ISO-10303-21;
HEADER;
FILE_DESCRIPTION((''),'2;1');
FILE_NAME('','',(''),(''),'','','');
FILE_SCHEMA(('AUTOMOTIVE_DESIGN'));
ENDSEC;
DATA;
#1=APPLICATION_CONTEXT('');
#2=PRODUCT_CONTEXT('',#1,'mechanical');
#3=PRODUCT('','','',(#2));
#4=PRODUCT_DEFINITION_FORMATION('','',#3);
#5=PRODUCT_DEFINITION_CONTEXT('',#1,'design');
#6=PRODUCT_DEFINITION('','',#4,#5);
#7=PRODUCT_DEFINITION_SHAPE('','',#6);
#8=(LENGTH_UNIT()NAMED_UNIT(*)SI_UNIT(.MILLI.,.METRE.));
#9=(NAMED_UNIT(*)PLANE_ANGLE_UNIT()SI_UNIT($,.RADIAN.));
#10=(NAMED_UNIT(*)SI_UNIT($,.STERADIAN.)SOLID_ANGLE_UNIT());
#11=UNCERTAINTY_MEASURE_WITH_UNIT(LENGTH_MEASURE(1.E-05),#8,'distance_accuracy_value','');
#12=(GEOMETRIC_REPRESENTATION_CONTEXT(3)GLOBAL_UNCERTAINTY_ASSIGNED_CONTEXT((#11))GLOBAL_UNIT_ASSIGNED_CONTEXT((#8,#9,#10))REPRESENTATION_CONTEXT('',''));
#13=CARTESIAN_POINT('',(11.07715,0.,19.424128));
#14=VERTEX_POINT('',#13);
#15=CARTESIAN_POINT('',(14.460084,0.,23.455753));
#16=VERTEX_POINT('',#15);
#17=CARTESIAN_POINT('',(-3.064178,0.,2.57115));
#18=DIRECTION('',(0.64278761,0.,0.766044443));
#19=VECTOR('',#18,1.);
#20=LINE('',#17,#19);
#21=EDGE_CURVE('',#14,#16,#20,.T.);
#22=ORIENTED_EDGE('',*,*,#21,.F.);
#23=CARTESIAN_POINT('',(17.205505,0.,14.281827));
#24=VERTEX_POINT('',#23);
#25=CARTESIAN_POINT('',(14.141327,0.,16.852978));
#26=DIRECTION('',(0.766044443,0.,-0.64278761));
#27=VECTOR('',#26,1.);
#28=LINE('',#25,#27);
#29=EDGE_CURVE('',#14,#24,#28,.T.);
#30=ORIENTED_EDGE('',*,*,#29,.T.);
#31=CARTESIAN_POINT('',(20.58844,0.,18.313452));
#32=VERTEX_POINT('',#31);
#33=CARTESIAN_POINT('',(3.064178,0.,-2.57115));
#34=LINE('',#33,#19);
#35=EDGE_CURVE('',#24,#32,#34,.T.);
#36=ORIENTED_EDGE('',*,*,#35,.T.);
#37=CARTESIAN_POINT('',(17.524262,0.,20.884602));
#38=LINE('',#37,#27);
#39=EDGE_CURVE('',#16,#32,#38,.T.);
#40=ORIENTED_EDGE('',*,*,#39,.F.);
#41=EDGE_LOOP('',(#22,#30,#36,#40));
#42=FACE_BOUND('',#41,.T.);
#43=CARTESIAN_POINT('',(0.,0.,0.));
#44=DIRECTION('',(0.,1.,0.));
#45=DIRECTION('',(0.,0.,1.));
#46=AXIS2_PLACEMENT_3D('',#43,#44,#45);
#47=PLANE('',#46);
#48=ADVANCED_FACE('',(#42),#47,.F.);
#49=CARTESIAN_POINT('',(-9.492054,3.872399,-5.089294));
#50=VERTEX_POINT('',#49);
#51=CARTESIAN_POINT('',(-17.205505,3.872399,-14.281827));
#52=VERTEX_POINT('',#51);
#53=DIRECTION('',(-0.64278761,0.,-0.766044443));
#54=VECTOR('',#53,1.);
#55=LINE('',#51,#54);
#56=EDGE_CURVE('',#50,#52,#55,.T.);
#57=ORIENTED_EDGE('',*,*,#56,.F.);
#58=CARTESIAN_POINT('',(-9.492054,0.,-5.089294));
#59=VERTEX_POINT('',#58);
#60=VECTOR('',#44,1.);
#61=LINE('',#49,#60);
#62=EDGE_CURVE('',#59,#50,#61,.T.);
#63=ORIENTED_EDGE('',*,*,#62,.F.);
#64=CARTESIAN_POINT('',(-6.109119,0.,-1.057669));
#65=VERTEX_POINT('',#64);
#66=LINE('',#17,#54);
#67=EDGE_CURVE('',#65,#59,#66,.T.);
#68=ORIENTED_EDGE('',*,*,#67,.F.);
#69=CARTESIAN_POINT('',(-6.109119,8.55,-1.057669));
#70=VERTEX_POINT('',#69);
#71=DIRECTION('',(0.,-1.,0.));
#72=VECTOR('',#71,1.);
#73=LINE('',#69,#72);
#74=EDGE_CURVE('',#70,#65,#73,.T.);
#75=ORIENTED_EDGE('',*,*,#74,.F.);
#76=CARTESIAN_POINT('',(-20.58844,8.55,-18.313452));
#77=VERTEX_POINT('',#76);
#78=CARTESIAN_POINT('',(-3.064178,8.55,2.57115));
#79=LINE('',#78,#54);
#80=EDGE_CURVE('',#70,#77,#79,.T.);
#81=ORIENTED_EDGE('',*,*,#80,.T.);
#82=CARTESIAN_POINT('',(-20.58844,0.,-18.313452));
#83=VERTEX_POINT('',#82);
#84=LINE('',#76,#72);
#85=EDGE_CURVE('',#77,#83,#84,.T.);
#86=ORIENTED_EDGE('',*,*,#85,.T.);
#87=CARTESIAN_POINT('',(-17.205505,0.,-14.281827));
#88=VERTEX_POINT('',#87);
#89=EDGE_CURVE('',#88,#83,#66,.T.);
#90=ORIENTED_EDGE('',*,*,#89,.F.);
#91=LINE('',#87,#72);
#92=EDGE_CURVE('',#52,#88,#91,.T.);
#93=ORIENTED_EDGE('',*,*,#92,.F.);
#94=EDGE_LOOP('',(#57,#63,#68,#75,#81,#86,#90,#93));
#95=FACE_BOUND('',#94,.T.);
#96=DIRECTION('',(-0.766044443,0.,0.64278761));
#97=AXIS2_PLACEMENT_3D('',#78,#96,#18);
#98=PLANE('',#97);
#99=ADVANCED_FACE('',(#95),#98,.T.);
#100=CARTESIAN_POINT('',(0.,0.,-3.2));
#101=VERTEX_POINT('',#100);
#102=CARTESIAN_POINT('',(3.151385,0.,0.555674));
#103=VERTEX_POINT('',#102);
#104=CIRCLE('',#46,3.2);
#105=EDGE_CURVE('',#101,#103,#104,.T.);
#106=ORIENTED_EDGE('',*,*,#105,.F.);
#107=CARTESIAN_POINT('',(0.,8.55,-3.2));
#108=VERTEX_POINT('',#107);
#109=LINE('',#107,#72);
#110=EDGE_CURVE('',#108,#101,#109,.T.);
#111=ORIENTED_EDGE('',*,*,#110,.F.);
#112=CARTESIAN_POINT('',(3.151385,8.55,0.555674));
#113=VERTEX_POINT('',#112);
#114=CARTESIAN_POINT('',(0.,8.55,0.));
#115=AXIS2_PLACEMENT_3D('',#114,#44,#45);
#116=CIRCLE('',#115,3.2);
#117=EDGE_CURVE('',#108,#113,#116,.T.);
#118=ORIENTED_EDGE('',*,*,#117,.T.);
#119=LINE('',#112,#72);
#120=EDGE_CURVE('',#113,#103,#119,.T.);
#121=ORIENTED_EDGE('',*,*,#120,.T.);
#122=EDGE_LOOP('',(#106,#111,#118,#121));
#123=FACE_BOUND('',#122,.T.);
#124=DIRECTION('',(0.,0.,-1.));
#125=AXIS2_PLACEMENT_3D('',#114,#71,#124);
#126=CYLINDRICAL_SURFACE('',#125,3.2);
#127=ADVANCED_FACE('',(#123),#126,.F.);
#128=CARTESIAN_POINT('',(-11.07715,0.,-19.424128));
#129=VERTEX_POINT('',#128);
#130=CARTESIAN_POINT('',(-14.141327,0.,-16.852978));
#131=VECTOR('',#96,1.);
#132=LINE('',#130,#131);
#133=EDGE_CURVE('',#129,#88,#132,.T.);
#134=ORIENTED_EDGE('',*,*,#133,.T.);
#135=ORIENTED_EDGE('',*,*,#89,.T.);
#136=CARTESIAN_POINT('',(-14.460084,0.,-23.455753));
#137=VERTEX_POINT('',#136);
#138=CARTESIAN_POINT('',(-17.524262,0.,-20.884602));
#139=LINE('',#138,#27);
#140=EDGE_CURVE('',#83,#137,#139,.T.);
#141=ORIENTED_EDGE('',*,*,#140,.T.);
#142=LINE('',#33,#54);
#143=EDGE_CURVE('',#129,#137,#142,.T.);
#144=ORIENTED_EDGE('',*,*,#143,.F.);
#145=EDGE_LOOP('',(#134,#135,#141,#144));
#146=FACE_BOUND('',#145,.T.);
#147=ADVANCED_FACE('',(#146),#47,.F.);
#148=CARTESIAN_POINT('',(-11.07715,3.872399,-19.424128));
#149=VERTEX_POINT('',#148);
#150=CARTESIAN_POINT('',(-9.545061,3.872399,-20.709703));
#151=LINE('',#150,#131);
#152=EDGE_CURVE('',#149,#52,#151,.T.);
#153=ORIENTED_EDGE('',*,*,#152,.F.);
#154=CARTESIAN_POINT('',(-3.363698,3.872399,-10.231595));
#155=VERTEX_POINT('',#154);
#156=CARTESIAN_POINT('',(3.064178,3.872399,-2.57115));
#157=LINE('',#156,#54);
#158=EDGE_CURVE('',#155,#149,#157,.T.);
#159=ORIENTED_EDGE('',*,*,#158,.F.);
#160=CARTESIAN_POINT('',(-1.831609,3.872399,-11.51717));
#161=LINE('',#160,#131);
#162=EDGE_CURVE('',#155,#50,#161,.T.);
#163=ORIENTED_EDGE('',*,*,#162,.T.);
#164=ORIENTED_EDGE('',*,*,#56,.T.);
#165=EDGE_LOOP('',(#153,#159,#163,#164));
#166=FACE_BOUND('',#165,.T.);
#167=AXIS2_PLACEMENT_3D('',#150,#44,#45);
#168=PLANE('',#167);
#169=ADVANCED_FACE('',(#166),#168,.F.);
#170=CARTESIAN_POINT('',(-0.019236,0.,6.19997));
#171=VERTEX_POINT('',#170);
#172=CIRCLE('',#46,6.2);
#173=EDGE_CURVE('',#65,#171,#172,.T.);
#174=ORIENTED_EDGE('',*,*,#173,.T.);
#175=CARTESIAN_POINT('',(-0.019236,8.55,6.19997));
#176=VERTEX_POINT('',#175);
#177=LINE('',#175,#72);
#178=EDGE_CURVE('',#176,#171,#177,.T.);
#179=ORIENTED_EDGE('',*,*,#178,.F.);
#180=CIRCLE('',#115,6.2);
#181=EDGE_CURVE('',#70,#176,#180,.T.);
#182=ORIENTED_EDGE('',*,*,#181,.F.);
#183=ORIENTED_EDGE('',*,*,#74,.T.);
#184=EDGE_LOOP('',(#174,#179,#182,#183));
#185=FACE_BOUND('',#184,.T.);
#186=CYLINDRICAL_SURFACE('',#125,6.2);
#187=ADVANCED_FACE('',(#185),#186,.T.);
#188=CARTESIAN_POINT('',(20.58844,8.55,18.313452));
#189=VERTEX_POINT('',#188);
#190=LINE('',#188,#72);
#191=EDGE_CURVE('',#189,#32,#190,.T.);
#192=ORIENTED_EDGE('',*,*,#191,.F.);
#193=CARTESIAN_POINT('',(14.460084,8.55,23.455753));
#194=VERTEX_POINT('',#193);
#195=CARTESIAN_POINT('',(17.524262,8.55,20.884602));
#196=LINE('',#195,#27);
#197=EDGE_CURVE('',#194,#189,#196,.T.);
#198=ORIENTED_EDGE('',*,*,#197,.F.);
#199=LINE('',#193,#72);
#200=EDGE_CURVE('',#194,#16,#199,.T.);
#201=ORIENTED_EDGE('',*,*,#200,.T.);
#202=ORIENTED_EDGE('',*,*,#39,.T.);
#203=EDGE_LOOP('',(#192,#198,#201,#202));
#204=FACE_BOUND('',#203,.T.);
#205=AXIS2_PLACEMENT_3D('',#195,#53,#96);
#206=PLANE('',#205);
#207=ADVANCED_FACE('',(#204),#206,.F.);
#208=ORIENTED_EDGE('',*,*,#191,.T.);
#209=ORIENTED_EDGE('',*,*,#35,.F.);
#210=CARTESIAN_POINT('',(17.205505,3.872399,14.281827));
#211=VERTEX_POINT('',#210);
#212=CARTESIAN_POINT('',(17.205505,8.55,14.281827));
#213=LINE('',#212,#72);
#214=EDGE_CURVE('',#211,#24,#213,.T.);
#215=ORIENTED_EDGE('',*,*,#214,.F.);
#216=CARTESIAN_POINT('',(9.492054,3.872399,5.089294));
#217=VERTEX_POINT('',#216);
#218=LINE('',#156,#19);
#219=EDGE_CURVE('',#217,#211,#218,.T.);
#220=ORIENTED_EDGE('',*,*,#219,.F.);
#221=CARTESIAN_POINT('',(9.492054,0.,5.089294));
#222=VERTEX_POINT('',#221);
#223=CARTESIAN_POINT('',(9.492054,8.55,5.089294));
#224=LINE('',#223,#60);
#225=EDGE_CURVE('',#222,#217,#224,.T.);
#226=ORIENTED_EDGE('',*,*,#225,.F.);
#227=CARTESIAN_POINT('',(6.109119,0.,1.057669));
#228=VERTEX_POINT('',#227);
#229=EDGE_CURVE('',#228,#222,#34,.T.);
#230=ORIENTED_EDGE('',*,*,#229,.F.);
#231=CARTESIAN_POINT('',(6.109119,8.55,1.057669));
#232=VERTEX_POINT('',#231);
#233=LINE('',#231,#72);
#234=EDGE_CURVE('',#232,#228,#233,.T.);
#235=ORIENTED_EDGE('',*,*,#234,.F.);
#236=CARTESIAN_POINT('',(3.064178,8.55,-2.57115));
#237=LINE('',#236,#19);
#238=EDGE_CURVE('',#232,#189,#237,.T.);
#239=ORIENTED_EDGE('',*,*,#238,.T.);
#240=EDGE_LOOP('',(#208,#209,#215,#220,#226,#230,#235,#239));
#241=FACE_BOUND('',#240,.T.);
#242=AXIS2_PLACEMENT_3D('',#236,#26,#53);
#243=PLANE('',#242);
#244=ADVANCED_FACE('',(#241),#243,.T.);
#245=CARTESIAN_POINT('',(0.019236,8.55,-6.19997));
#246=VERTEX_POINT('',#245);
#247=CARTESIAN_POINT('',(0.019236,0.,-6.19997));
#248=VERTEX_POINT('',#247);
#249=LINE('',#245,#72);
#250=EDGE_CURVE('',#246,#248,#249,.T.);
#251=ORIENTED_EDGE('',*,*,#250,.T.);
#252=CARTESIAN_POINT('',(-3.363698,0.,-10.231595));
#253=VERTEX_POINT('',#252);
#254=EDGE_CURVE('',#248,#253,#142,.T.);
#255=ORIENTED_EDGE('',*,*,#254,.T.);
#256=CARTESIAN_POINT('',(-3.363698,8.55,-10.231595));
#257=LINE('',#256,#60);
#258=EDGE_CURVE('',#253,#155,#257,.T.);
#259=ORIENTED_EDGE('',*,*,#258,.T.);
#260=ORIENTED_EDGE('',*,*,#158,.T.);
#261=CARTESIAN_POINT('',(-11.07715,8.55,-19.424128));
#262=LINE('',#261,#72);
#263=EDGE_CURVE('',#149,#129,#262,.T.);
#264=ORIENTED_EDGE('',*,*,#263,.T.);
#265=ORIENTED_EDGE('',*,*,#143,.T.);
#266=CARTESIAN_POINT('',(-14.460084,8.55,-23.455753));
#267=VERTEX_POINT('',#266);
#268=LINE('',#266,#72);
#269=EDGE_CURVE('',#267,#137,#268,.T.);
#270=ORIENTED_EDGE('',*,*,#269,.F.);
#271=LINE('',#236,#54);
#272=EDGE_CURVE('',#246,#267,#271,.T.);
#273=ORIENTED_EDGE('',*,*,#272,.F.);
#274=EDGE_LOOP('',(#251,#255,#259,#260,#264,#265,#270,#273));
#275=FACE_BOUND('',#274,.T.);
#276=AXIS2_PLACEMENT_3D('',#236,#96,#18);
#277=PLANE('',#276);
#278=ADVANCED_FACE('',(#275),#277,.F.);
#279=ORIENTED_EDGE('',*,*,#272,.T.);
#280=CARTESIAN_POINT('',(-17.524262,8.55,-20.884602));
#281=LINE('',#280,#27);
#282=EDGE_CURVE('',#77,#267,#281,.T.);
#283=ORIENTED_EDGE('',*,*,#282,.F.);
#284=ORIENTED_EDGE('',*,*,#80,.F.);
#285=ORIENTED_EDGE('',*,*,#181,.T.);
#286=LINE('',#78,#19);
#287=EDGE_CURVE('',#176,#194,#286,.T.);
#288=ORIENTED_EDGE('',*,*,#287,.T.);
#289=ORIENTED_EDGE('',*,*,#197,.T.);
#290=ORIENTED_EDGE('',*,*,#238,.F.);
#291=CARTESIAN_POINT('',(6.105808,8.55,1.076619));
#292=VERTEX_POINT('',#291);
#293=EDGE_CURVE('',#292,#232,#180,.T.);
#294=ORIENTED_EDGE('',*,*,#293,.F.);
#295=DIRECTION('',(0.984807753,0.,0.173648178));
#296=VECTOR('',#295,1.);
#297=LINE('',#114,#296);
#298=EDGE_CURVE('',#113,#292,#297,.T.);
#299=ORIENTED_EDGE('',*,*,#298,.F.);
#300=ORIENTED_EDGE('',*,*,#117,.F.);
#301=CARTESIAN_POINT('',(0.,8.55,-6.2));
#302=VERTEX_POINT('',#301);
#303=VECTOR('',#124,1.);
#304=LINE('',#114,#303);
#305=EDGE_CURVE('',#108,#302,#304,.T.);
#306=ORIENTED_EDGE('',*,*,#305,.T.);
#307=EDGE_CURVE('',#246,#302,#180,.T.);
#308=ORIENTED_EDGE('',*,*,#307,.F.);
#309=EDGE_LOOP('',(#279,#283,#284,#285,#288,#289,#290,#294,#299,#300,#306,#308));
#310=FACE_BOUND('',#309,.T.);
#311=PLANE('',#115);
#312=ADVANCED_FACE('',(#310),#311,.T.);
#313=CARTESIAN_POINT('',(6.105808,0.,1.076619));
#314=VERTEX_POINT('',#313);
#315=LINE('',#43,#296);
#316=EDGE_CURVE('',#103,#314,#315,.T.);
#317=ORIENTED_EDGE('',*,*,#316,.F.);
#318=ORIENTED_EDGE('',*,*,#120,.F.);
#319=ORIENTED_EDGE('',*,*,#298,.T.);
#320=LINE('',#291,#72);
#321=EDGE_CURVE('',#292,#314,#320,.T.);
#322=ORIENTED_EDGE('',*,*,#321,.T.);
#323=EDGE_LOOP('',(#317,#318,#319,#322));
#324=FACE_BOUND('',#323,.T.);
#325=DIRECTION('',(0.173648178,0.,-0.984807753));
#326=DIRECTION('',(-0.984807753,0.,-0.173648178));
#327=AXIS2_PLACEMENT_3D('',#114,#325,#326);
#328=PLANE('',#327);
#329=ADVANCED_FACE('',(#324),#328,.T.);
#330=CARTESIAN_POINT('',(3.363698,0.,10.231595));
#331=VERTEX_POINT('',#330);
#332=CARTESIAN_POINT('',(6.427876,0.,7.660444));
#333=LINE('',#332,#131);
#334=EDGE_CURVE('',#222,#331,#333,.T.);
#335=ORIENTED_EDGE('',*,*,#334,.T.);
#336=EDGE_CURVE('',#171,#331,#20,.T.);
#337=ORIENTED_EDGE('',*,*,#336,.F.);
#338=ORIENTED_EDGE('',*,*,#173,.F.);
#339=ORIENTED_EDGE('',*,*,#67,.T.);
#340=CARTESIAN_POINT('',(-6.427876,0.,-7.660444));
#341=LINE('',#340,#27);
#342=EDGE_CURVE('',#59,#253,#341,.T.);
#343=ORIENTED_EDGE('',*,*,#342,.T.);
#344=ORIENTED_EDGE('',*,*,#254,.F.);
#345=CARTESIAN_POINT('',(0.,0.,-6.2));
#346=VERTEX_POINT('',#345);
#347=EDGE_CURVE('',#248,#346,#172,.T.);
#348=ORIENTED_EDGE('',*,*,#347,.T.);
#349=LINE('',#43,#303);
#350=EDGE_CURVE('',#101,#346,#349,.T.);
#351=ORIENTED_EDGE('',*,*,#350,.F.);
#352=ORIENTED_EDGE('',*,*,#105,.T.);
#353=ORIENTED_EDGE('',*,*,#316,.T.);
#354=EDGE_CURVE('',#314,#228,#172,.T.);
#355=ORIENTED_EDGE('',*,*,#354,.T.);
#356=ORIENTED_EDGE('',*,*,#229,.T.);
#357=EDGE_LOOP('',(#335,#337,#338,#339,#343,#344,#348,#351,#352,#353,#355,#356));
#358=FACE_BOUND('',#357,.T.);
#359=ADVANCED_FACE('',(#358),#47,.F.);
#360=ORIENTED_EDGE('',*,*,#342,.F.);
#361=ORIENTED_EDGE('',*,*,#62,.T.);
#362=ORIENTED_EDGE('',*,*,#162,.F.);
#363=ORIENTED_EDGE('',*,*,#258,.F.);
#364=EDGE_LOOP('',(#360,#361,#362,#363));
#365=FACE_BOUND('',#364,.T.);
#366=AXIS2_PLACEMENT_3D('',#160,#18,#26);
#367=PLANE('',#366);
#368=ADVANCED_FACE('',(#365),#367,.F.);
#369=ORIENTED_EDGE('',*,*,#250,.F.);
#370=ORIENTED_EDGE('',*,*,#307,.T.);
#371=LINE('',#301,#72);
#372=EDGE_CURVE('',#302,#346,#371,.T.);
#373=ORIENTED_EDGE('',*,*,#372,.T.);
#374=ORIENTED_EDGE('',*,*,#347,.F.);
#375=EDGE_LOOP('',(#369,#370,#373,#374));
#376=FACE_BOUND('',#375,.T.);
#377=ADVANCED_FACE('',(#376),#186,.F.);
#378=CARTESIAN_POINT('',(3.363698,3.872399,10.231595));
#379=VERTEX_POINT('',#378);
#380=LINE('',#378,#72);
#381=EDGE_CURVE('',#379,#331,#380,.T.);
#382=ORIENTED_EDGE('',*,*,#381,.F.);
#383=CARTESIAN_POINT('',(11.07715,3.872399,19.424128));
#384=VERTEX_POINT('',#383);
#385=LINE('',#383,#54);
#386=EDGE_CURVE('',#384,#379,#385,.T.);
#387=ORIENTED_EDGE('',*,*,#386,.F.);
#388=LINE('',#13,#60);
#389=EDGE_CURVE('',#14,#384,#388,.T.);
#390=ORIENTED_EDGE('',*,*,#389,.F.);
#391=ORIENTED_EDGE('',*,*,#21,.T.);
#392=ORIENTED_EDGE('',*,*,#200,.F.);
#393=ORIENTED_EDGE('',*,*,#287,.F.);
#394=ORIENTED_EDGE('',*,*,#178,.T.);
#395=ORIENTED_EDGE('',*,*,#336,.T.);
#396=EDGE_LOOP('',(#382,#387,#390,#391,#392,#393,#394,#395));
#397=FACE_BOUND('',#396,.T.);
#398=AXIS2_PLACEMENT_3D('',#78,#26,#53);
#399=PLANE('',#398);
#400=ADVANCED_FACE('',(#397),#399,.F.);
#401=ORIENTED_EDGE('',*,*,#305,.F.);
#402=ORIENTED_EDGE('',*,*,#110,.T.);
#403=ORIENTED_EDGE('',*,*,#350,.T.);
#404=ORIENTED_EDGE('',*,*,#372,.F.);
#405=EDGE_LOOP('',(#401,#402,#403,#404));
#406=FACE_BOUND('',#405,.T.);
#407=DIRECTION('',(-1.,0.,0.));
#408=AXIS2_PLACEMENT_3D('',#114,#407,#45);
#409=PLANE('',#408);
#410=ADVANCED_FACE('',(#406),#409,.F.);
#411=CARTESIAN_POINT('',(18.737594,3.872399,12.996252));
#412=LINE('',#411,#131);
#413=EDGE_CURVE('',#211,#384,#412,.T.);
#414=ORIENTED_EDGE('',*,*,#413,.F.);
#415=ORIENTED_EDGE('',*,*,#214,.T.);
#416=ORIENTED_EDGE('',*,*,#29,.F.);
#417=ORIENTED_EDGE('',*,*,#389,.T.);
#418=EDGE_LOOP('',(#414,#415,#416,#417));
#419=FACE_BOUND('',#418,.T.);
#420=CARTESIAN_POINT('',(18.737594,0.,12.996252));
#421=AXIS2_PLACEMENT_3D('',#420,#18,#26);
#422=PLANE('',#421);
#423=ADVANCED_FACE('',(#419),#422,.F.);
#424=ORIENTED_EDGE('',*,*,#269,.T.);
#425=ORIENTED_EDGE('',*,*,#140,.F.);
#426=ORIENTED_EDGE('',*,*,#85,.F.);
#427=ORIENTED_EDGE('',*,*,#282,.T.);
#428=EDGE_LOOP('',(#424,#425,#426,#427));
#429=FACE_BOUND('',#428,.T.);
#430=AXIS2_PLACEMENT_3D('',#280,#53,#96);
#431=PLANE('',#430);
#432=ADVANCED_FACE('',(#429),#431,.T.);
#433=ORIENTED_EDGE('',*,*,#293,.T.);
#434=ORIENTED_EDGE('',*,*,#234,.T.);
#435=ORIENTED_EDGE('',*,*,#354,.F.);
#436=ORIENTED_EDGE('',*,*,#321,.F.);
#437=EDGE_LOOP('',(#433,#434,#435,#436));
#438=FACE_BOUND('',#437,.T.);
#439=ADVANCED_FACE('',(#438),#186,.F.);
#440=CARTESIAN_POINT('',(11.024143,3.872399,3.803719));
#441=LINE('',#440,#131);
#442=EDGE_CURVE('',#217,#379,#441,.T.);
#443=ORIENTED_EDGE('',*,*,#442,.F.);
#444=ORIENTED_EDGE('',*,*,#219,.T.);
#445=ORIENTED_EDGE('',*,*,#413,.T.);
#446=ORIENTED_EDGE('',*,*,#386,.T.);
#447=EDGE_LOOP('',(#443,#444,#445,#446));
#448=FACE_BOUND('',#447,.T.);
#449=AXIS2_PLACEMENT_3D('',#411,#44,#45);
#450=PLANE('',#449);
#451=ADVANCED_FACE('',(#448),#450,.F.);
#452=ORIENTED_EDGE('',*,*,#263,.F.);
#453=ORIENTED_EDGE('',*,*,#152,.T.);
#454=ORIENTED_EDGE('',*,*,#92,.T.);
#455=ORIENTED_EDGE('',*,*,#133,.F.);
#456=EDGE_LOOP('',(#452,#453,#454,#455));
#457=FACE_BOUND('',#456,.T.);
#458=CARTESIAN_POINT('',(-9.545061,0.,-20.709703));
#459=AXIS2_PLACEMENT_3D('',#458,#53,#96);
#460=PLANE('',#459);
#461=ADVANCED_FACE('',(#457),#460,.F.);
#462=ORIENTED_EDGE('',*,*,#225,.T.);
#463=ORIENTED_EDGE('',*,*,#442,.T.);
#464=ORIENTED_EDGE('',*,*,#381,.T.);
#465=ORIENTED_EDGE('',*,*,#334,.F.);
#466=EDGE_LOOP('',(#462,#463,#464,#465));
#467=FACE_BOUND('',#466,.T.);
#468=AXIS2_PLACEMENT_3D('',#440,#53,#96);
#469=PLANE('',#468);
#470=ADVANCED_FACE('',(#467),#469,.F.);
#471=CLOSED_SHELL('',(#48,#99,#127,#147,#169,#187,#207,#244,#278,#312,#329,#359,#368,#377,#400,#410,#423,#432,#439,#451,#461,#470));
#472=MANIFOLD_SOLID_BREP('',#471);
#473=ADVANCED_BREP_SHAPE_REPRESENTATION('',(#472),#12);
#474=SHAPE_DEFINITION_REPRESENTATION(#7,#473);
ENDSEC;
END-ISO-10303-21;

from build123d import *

# Parameters (mm, degrees)
BOSS_EXTRUDE2_DEPTH = 8.55
SKETCH2_W           = 12
SKETCH2_H           = 3.872399236
CUT_EXTRUDE1_DEPTH  = 10


with BuildPart() as part:
    # Sketch1 → Boss-Extrude2 (new body)
    with BuildSketch(Plane(origin=(0, 0, 0), x_dir=(1, 0, 0), z_dir=(0, 1, 0))):
        with BuildLine():
            Line((0, 3.2), (0, 6.2))
            ThreePointArc((0, 6.2), (0.009618254, 6.199992539), (0.019236485, 6.199970158))
            Line((0.019236485, 6.199970158), (-14.46008445, 23.455752899))
            Line((-14.46008445, 23.455752899), (-20.588439995, 18.313452022))
            Line((-20.588439995, 18.313452022), (-6.10911906, 1.05766928))
            ThreePointArc((-6.10911906, 1.05766928), (-4.749475547, -3.98528318), (-0.019236485, -6.199970158))
            Line((-0.019236485, -6.199970158), (14.46008445, -23.455752899))
            Line((14.46008445, -23.455752899), (20.588439995, -18.313452022))
            Line((20.588439995, -18.313452022), (6.10911906, -1.05766928))
            ThreePointArc((6.10911906, -1.05766928), (6.107470914, -1.067145275), (6.105808069, -1.076618702))
            Line((6.105808069, -1.076618702), (3.15138481, -0.555674169))
            ThreePointArc((3.15138481, -0.555674169), (-2.451342218, -2.056920351), (0, 3.2))
        make_face()
    extrude(amount=BOSS_EXTRUDE2_DEPTH)

    # Sketch2 → Cut-Extrude1 (cut)
    with BuildSketch(Plane(origin=(-3.064177772, 0, 2.571150439), x_dir=(0.64278761, 0, 0.766044443), z_dir=(-0.766044443, 0, 0.64278761))):
        with Locations((-16, 1.936199618)):
            Rectangle(SKETCH2_W, SKETCH2_H)
        with Locations((16, 1.936199618)):
            Rectangle(SKETCH2_W, SKETCH2_H)
    extrude(amount=-CUT_EXTRUDE1_DEPTH, mode=Mode.SUBTRACT)


solid = part.part
